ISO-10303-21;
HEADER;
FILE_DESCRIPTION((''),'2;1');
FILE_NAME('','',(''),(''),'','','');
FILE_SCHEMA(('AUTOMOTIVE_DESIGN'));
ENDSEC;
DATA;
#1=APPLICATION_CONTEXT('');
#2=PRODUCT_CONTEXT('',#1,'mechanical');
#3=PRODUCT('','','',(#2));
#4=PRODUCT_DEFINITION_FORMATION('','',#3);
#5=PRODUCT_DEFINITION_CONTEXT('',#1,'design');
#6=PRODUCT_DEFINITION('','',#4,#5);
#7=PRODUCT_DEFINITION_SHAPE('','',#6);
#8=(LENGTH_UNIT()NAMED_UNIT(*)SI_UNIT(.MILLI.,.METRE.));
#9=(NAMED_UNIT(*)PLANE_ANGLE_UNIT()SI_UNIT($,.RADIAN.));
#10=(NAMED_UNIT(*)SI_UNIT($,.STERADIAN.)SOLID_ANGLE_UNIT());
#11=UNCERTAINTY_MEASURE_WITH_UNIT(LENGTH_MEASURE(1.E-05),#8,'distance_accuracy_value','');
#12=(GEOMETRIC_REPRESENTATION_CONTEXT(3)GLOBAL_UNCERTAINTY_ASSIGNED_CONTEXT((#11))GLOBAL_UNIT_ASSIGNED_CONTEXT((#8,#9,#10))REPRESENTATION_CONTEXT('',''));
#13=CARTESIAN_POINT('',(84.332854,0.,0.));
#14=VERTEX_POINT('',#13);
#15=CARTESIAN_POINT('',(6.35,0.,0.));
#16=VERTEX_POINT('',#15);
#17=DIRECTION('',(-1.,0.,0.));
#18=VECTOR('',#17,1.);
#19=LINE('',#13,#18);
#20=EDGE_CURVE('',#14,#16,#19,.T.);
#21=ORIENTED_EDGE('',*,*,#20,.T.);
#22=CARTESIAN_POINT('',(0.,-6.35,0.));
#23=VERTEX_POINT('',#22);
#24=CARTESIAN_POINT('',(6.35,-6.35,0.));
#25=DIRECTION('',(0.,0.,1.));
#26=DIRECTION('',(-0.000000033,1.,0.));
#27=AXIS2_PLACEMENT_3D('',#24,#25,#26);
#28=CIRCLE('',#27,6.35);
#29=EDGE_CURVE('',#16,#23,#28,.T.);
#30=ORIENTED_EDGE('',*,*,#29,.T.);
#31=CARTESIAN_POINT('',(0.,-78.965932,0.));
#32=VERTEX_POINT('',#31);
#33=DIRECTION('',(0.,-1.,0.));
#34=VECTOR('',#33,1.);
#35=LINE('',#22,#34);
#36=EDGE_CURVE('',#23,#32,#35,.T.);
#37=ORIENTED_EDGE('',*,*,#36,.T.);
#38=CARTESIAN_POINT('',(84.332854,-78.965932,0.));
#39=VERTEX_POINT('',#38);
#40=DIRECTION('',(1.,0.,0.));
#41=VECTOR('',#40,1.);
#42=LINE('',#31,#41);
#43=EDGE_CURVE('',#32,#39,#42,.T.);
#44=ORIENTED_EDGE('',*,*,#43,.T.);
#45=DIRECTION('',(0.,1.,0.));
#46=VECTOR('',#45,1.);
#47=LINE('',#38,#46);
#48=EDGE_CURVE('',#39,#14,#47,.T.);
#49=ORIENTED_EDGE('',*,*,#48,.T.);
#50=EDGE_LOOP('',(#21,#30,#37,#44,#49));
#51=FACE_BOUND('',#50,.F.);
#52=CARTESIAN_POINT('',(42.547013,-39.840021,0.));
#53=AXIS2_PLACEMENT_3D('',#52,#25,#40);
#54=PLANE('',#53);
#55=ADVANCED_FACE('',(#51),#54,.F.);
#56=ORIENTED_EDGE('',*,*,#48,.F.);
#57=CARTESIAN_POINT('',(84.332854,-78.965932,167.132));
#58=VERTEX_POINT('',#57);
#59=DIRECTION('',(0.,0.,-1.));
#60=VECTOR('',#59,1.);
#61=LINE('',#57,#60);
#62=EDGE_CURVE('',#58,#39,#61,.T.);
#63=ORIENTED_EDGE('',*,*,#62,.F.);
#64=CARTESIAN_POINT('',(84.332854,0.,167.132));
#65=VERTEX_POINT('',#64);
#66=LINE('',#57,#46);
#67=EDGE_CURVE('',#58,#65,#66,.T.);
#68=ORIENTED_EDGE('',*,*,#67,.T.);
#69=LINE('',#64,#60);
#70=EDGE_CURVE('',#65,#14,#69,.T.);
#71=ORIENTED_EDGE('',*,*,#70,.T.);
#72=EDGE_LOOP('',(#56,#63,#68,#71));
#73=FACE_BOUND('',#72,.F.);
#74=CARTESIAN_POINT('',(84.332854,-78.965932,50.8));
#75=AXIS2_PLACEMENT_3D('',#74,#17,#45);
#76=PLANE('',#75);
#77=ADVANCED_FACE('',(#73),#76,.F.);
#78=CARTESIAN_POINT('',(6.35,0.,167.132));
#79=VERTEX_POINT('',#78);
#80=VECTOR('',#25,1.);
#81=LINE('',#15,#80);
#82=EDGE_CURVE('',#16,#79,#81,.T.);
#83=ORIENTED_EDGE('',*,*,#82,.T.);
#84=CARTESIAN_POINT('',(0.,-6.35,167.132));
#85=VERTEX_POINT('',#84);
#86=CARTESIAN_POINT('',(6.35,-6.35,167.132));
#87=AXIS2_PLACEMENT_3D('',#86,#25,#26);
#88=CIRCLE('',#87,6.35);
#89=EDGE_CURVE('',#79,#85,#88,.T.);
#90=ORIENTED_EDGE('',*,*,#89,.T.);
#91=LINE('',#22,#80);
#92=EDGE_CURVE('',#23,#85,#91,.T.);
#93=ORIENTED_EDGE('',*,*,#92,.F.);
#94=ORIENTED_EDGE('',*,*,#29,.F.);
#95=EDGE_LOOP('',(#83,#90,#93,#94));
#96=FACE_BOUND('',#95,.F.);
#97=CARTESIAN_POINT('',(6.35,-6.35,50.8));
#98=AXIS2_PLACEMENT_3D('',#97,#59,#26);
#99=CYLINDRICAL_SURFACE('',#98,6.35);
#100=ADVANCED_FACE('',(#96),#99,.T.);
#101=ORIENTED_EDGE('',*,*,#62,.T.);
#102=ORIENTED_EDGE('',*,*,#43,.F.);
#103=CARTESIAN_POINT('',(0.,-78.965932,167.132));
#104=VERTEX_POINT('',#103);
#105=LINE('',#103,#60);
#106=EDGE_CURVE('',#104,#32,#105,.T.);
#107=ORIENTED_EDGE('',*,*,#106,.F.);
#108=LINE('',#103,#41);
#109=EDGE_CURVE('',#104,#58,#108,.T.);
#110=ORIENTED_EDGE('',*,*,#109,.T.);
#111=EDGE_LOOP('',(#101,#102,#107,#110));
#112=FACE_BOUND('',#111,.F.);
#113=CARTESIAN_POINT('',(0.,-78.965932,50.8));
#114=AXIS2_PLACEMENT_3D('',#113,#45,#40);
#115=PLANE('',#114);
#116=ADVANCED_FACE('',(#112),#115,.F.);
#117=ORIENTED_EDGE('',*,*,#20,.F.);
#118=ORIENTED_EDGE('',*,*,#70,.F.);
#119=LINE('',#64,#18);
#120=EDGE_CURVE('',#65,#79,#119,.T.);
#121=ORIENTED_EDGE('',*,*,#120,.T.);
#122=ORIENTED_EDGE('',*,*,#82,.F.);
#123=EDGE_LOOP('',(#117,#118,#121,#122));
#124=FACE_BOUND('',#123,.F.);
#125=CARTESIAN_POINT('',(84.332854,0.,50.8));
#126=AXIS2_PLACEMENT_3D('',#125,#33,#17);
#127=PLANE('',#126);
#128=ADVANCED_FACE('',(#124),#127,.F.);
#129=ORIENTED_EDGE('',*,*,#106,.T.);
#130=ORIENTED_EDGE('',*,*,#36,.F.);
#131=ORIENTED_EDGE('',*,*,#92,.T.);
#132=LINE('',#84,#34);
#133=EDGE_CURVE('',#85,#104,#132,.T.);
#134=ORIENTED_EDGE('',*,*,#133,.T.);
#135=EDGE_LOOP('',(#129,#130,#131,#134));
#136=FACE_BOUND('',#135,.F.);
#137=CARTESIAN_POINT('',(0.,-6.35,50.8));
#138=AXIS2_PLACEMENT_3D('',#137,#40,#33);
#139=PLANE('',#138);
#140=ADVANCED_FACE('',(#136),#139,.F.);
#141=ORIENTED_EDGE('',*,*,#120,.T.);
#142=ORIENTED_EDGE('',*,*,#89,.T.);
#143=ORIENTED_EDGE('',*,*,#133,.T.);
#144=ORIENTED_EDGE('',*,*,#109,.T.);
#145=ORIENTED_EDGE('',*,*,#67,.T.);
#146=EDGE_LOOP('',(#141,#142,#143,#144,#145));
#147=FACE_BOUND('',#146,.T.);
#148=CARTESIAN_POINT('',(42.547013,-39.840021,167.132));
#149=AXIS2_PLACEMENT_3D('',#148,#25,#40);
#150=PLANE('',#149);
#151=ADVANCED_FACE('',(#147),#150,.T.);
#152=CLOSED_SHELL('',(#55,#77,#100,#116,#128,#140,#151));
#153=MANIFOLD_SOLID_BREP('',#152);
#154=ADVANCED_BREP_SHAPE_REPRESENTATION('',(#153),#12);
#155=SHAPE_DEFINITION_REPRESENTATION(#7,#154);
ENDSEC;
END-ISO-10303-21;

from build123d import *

# Parameters (mm, degrees)
F1_DEPTH = 50.8
F2_DEPTH = 116.332


with BuildPart() as f1:
    # F0 (on Top) → F1 (new body)
    with BuildSketch(Plane.XY):
        with BuildLine():
            Line((84.332854, 0), (6.35, 0))
            ThreePointArc((6.35, 0), (1.859872, -1.859872), (0, -6.35))
            Line((0, -6.35), (0, -78.965932))
            Line((0, -78.965932), (84.332854, -78.965932))
            Line((84.332854, -78.965932), (84.332854, 0))
        make_face()
    extrude(amount=F1_DEPTH)

    # F1_face (on face) → F2 (join)
    with BuildSketch(Plane(origin=(42.219444, -39.532492, 50.8), x_dir=(1, 0, 0), z_dir=(0, 0, 1))):
        with BuildLine():
            Line((42.11341, 39.532492), (-35.869444, 39.532492))
            ThreePointArc((-35.869444, 39.532492), (-40.359572, 37.67262), (-42.219444, 33.182492))
            Line((-42.219444, 33.182492), (-42.219444, -39.43344))
            Line((-42.219444, -39.43344), (42.11341, -39.43344))
            Line((42.11341, -39.43344), (42.11341, 39.532492))
        make_face()
    extrude(amount=F2_DEPTH)


solid = f1.part
